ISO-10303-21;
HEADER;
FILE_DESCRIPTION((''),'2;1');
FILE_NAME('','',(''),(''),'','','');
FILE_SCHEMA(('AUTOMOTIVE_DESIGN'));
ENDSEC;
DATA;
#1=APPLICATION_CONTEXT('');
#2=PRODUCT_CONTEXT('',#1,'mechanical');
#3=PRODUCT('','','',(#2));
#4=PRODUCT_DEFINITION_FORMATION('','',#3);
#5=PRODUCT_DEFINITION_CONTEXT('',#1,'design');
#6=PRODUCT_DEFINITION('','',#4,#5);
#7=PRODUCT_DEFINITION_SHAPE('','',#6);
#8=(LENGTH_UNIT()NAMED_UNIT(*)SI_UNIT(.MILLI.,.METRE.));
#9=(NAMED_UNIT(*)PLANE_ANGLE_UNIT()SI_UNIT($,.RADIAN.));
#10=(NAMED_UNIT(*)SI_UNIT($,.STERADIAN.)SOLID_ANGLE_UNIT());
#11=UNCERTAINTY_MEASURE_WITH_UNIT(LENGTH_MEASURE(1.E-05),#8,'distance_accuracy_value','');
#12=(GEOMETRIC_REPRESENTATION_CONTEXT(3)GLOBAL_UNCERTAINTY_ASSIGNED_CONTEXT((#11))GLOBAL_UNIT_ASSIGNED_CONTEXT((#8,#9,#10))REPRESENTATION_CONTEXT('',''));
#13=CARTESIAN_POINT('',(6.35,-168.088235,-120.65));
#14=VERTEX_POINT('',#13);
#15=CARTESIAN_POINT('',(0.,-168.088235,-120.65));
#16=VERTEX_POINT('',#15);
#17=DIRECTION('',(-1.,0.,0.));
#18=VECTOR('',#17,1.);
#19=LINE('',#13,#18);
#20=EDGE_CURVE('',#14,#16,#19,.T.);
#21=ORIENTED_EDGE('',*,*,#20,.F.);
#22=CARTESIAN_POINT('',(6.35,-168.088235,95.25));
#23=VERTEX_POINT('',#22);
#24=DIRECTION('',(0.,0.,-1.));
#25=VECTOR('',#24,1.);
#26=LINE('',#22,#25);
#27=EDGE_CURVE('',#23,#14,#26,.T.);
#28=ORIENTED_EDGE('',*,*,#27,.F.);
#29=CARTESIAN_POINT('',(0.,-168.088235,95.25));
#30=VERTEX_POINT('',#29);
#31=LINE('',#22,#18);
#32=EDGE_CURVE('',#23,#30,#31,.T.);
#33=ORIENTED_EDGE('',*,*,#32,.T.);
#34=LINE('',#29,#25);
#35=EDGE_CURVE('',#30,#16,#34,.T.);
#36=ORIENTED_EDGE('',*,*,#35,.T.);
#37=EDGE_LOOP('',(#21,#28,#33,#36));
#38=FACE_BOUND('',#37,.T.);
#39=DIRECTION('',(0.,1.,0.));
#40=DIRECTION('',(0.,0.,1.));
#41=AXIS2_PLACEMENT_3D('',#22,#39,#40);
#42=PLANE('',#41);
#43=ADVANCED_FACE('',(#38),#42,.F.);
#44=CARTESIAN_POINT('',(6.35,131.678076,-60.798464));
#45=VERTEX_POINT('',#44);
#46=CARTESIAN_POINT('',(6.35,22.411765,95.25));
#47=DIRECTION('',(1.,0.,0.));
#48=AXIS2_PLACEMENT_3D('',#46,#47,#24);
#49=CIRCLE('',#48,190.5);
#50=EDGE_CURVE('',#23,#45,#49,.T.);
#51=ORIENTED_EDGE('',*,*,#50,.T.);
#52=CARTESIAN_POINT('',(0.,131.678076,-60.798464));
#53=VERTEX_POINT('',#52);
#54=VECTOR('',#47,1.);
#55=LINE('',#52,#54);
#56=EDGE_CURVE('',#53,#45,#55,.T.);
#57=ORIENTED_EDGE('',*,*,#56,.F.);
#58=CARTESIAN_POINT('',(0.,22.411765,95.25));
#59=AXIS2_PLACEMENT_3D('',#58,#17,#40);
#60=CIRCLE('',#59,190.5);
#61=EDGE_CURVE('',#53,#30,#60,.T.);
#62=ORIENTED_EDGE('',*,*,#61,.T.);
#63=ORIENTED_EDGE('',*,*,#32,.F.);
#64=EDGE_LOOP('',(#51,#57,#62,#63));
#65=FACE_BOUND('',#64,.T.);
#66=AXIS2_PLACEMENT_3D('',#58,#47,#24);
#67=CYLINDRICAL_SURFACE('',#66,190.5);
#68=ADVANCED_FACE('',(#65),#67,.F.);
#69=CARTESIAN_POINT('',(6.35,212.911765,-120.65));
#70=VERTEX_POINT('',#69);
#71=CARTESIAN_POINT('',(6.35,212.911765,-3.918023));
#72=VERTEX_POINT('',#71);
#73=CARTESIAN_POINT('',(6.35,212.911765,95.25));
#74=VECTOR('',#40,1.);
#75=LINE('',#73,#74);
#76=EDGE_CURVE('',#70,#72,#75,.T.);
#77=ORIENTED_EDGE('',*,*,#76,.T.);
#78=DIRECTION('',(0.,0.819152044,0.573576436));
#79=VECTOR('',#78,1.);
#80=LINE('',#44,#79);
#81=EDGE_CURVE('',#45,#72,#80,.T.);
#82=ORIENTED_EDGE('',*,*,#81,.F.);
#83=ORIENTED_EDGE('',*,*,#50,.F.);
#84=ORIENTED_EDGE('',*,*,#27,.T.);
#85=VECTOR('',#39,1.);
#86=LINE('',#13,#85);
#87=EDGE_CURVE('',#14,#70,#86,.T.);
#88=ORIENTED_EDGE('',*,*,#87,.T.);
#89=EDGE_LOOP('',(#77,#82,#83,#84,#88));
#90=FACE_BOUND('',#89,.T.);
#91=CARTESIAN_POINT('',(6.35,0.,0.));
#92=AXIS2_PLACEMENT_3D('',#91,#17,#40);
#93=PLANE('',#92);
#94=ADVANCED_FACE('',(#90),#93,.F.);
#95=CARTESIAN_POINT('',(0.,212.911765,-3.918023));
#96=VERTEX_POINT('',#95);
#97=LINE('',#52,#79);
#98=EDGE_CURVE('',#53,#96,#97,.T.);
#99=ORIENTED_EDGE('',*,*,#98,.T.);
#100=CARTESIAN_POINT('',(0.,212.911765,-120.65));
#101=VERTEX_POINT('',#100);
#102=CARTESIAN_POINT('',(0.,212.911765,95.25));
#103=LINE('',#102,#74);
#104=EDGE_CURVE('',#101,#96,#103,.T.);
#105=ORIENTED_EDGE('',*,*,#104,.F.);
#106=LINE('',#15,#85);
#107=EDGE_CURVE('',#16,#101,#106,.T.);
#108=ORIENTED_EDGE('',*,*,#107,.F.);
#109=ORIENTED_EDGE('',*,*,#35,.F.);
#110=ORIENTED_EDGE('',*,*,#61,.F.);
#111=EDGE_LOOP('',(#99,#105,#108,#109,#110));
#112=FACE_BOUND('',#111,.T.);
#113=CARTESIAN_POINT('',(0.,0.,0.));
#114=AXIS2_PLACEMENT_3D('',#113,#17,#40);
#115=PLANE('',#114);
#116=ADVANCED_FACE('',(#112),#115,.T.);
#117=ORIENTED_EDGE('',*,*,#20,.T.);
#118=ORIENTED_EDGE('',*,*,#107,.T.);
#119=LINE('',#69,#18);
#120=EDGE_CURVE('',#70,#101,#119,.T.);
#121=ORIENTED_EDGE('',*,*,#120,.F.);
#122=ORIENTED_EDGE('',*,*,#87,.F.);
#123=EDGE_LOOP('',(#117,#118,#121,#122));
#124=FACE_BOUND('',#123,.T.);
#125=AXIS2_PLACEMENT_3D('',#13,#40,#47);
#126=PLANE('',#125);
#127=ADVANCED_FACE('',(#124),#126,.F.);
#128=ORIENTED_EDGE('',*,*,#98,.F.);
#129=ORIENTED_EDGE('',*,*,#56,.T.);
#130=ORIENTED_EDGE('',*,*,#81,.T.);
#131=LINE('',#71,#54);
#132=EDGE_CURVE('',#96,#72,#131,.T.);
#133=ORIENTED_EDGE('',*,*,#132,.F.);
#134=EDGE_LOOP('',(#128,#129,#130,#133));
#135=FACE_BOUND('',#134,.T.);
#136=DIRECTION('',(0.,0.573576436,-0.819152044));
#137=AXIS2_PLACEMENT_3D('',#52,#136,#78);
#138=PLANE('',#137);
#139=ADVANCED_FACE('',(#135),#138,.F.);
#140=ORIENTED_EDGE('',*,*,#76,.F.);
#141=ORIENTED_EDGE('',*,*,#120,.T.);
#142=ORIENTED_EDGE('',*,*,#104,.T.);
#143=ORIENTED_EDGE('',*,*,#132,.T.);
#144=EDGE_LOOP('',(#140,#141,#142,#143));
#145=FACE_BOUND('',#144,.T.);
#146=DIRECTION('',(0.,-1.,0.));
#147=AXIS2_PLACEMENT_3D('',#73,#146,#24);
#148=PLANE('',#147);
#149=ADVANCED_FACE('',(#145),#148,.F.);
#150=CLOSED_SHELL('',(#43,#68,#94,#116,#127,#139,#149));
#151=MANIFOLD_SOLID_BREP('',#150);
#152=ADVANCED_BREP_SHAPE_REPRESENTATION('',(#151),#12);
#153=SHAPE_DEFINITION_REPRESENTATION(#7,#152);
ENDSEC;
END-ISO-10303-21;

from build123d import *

# Parameters (mm, degrees)
SKETCH1_W           = 215.9
SKETCH1_H           = 381
BOSS_EXTRUDE1_DEPTH = 6.35
SKETCH2_R           = 190.5
CUT_EXTRUDE1_DEPTH  = 245.802296865
CUT_EXTRUDE2_DEPTH  = 245.802296865


with BuildPart() as part:
    # Sketch1 → Boss-Extrude1 (new body)
    with BuildSketch(Plane(origin=(0, 0, 0), x_dir=(0, 0, -1), z_dir=(1, 0, 0))):
        with Locations((12.7, 22.411764706)):
            Rectangle(SKETCH1_W, SKETCH1_H)
    extrude(amount=BOSS_EXTRUDE1_DEPTH)

    # Sketch2 → Cut-Extrude1 (cut, through all)
    with BuildSketch(Plane(origin=(6.35, 0, 0), x_dir=(0, 0, -1), z_dir=(1, 0, 0))):
        with Locations((-95.25, 22.411764706)):
            Circle(SKETCH2_R)
    extrude(amount=-CUT_EXTRUDE1_DEPTH, mode=Mode.SUBTRACT)

    # Sketch3 → Cut-Extrude2 (cut, through all)
    with BuildSketch(Plane(origin=(6.35, 0, 0), x_dir=(0, 0, -1), z_dir=(1, 0, 0))):
        Polygon((60.798464437, 131.678075831), (-18.968243734, 245.59674111), (-203.446235094, 245.59674111), (-203.446235094, 131.678075831), align=None)
    extrude(amount=-CUT_EXTRUDE2_DEPTH, mode=Mode.SUBTRACT)


solid = part.part
